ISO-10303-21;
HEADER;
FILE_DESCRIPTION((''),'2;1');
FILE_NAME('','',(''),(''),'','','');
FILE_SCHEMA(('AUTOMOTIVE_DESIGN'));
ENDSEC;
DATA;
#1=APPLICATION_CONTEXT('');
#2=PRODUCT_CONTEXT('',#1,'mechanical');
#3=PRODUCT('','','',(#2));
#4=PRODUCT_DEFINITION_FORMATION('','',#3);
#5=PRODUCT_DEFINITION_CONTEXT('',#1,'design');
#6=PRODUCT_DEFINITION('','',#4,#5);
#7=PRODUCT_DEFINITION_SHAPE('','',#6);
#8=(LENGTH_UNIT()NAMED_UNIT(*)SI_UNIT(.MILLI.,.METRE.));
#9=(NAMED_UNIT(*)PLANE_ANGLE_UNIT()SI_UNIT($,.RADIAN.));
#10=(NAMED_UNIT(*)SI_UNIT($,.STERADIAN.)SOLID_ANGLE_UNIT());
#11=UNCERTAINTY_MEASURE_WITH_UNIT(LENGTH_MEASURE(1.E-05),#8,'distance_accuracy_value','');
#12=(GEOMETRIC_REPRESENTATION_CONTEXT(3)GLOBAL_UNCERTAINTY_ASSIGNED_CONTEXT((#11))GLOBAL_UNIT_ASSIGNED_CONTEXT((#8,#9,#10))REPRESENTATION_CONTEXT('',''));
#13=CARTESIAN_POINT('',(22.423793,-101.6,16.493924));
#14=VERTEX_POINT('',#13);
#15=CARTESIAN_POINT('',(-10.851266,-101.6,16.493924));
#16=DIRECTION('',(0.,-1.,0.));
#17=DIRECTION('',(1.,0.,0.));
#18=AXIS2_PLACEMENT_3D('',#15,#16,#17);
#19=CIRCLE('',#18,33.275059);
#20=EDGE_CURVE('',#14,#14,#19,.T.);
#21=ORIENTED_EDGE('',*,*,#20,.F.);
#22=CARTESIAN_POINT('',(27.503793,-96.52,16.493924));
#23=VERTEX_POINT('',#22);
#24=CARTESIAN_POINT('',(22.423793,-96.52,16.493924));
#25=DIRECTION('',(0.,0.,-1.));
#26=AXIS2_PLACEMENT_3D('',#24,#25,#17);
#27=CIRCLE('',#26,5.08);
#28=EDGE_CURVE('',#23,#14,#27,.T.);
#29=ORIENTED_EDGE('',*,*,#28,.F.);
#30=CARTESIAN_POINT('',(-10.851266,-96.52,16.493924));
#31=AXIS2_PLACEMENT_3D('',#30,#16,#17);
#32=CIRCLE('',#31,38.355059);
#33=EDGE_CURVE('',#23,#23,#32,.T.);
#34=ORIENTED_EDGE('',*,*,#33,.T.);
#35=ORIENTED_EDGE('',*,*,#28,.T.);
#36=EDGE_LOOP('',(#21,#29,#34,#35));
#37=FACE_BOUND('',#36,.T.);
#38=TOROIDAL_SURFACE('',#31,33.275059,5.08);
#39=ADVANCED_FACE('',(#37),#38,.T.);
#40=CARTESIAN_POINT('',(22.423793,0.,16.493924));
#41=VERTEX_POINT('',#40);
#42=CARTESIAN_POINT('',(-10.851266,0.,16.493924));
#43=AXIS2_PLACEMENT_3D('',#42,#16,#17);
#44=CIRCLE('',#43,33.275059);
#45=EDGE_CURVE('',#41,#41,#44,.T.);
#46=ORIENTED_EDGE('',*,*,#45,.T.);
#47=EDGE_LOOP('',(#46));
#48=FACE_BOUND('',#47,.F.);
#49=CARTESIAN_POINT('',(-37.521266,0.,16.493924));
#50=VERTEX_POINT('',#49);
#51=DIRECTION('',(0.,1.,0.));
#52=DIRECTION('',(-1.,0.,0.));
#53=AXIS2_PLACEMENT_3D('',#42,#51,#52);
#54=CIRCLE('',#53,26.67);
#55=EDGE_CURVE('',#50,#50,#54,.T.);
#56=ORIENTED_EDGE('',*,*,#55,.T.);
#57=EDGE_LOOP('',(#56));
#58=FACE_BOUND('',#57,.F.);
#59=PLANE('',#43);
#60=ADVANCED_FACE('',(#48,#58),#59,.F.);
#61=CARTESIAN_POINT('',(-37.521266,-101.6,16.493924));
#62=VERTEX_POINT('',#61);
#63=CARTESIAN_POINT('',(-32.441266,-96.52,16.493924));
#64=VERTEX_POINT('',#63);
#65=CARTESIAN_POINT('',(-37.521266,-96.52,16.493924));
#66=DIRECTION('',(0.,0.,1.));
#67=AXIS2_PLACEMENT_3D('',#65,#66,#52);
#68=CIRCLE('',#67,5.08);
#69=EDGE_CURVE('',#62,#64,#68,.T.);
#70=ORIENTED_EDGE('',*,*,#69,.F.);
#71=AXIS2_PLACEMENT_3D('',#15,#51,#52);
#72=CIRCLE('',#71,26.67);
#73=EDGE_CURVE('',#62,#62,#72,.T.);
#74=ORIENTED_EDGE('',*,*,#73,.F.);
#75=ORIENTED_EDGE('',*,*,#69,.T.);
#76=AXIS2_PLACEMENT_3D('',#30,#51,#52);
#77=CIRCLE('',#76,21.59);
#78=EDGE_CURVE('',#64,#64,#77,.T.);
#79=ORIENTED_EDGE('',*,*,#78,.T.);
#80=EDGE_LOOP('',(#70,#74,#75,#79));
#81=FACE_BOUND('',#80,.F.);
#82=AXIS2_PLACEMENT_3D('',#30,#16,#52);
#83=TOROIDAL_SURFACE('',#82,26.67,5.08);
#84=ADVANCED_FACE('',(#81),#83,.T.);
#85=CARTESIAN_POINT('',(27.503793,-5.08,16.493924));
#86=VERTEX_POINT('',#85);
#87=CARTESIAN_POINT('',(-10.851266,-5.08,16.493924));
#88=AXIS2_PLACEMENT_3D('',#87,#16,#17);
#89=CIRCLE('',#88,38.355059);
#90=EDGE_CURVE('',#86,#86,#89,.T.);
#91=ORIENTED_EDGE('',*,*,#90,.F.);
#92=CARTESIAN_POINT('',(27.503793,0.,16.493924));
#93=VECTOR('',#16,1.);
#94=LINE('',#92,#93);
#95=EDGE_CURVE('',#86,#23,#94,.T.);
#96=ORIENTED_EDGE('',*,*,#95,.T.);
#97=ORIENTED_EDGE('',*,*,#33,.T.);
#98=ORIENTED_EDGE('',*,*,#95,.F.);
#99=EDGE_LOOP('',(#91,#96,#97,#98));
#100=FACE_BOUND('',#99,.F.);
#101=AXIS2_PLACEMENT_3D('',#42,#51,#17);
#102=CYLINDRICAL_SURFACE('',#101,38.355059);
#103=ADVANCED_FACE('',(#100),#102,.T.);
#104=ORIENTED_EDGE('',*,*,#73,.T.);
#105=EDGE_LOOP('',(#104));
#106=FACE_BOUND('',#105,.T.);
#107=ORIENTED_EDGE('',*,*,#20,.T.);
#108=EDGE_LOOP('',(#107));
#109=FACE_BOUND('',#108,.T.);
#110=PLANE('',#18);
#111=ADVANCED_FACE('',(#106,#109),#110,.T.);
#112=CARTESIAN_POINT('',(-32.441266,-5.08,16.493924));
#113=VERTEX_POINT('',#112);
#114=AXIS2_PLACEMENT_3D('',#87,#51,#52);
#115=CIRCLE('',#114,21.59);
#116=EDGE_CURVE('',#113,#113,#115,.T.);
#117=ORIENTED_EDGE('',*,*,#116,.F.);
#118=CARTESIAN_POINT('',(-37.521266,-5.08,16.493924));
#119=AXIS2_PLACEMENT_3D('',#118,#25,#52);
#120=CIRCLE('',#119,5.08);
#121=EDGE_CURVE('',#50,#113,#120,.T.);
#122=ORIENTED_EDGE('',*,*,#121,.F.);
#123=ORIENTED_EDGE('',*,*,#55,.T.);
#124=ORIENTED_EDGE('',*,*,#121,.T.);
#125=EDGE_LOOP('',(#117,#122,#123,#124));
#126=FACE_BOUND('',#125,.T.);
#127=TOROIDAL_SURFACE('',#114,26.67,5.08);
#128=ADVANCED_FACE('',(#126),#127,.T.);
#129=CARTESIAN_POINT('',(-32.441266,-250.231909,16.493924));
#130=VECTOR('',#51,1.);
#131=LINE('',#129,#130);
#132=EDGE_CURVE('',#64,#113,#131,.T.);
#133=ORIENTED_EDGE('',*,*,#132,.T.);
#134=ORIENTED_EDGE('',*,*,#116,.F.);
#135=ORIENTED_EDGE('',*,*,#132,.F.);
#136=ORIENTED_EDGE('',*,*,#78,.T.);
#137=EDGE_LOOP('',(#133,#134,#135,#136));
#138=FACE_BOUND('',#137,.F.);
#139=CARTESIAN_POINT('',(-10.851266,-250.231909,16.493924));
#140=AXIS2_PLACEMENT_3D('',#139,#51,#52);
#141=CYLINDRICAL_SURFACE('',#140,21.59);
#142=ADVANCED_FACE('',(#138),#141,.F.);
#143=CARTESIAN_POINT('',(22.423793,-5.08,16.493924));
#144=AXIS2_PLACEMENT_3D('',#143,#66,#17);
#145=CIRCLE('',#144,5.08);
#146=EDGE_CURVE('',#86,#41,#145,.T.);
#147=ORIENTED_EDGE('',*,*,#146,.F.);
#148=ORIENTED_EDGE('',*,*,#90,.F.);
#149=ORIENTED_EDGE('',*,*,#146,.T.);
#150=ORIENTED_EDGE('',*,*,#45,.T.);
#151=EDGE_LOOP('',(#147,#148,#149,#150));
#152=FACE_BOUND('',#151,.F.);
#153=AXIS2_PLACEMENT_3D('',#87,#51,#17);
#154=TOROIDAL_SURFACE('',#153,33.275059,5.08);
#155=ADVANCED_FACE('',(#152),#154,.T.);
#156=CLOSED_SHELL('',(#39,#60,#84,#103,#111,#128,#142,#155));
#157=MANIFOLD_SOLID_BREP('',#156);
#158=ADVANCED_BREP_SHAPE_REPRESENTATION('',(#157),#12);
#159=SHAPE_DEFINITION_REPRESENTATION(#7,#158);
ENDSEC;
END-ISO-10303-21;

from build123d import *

# Parameters (mm, degrees)
F0_R     = 38.355059125
F1_DEPTH = 101.6
F3_D     = 43.18
F4_R     = 5.08
F5_R     = 5.08


with BuildPart() as f1:
    # F0 (on Front) → F1 (new body)
    with BuildSketch(Plane.XZ):
        with Locations((-10.8512658626, 16.4939239621)):
            Circle(F0_R)
    extrude(amount=F1_DEPTH)

    # F3 (through all)
    with Locations(Plane.XZ.offset(101.6)):
        with Locations((-10.8512658626, 16.4939239621)):
            Hole(F3_D / 2)

    # F4
    f4_edges = [f1.edges().sort_by_distance(p)[0] for p in [
        (-49.206325, 0, 16.493924),
        (-32.441266, 0, 16.493924),
    ]]
    fillet(f4_edges, radius=F4_R)

    # F5
    f5_edges = [f1.edges().sort_by_distance(p)[0] for p in [
        (-49.206325, -101.6, 16.493924),
        (-32.441266, -101.6, 16.493924),
    ]]
    fillet(f5_edges, radius=F5_R)


solid = f1.part
